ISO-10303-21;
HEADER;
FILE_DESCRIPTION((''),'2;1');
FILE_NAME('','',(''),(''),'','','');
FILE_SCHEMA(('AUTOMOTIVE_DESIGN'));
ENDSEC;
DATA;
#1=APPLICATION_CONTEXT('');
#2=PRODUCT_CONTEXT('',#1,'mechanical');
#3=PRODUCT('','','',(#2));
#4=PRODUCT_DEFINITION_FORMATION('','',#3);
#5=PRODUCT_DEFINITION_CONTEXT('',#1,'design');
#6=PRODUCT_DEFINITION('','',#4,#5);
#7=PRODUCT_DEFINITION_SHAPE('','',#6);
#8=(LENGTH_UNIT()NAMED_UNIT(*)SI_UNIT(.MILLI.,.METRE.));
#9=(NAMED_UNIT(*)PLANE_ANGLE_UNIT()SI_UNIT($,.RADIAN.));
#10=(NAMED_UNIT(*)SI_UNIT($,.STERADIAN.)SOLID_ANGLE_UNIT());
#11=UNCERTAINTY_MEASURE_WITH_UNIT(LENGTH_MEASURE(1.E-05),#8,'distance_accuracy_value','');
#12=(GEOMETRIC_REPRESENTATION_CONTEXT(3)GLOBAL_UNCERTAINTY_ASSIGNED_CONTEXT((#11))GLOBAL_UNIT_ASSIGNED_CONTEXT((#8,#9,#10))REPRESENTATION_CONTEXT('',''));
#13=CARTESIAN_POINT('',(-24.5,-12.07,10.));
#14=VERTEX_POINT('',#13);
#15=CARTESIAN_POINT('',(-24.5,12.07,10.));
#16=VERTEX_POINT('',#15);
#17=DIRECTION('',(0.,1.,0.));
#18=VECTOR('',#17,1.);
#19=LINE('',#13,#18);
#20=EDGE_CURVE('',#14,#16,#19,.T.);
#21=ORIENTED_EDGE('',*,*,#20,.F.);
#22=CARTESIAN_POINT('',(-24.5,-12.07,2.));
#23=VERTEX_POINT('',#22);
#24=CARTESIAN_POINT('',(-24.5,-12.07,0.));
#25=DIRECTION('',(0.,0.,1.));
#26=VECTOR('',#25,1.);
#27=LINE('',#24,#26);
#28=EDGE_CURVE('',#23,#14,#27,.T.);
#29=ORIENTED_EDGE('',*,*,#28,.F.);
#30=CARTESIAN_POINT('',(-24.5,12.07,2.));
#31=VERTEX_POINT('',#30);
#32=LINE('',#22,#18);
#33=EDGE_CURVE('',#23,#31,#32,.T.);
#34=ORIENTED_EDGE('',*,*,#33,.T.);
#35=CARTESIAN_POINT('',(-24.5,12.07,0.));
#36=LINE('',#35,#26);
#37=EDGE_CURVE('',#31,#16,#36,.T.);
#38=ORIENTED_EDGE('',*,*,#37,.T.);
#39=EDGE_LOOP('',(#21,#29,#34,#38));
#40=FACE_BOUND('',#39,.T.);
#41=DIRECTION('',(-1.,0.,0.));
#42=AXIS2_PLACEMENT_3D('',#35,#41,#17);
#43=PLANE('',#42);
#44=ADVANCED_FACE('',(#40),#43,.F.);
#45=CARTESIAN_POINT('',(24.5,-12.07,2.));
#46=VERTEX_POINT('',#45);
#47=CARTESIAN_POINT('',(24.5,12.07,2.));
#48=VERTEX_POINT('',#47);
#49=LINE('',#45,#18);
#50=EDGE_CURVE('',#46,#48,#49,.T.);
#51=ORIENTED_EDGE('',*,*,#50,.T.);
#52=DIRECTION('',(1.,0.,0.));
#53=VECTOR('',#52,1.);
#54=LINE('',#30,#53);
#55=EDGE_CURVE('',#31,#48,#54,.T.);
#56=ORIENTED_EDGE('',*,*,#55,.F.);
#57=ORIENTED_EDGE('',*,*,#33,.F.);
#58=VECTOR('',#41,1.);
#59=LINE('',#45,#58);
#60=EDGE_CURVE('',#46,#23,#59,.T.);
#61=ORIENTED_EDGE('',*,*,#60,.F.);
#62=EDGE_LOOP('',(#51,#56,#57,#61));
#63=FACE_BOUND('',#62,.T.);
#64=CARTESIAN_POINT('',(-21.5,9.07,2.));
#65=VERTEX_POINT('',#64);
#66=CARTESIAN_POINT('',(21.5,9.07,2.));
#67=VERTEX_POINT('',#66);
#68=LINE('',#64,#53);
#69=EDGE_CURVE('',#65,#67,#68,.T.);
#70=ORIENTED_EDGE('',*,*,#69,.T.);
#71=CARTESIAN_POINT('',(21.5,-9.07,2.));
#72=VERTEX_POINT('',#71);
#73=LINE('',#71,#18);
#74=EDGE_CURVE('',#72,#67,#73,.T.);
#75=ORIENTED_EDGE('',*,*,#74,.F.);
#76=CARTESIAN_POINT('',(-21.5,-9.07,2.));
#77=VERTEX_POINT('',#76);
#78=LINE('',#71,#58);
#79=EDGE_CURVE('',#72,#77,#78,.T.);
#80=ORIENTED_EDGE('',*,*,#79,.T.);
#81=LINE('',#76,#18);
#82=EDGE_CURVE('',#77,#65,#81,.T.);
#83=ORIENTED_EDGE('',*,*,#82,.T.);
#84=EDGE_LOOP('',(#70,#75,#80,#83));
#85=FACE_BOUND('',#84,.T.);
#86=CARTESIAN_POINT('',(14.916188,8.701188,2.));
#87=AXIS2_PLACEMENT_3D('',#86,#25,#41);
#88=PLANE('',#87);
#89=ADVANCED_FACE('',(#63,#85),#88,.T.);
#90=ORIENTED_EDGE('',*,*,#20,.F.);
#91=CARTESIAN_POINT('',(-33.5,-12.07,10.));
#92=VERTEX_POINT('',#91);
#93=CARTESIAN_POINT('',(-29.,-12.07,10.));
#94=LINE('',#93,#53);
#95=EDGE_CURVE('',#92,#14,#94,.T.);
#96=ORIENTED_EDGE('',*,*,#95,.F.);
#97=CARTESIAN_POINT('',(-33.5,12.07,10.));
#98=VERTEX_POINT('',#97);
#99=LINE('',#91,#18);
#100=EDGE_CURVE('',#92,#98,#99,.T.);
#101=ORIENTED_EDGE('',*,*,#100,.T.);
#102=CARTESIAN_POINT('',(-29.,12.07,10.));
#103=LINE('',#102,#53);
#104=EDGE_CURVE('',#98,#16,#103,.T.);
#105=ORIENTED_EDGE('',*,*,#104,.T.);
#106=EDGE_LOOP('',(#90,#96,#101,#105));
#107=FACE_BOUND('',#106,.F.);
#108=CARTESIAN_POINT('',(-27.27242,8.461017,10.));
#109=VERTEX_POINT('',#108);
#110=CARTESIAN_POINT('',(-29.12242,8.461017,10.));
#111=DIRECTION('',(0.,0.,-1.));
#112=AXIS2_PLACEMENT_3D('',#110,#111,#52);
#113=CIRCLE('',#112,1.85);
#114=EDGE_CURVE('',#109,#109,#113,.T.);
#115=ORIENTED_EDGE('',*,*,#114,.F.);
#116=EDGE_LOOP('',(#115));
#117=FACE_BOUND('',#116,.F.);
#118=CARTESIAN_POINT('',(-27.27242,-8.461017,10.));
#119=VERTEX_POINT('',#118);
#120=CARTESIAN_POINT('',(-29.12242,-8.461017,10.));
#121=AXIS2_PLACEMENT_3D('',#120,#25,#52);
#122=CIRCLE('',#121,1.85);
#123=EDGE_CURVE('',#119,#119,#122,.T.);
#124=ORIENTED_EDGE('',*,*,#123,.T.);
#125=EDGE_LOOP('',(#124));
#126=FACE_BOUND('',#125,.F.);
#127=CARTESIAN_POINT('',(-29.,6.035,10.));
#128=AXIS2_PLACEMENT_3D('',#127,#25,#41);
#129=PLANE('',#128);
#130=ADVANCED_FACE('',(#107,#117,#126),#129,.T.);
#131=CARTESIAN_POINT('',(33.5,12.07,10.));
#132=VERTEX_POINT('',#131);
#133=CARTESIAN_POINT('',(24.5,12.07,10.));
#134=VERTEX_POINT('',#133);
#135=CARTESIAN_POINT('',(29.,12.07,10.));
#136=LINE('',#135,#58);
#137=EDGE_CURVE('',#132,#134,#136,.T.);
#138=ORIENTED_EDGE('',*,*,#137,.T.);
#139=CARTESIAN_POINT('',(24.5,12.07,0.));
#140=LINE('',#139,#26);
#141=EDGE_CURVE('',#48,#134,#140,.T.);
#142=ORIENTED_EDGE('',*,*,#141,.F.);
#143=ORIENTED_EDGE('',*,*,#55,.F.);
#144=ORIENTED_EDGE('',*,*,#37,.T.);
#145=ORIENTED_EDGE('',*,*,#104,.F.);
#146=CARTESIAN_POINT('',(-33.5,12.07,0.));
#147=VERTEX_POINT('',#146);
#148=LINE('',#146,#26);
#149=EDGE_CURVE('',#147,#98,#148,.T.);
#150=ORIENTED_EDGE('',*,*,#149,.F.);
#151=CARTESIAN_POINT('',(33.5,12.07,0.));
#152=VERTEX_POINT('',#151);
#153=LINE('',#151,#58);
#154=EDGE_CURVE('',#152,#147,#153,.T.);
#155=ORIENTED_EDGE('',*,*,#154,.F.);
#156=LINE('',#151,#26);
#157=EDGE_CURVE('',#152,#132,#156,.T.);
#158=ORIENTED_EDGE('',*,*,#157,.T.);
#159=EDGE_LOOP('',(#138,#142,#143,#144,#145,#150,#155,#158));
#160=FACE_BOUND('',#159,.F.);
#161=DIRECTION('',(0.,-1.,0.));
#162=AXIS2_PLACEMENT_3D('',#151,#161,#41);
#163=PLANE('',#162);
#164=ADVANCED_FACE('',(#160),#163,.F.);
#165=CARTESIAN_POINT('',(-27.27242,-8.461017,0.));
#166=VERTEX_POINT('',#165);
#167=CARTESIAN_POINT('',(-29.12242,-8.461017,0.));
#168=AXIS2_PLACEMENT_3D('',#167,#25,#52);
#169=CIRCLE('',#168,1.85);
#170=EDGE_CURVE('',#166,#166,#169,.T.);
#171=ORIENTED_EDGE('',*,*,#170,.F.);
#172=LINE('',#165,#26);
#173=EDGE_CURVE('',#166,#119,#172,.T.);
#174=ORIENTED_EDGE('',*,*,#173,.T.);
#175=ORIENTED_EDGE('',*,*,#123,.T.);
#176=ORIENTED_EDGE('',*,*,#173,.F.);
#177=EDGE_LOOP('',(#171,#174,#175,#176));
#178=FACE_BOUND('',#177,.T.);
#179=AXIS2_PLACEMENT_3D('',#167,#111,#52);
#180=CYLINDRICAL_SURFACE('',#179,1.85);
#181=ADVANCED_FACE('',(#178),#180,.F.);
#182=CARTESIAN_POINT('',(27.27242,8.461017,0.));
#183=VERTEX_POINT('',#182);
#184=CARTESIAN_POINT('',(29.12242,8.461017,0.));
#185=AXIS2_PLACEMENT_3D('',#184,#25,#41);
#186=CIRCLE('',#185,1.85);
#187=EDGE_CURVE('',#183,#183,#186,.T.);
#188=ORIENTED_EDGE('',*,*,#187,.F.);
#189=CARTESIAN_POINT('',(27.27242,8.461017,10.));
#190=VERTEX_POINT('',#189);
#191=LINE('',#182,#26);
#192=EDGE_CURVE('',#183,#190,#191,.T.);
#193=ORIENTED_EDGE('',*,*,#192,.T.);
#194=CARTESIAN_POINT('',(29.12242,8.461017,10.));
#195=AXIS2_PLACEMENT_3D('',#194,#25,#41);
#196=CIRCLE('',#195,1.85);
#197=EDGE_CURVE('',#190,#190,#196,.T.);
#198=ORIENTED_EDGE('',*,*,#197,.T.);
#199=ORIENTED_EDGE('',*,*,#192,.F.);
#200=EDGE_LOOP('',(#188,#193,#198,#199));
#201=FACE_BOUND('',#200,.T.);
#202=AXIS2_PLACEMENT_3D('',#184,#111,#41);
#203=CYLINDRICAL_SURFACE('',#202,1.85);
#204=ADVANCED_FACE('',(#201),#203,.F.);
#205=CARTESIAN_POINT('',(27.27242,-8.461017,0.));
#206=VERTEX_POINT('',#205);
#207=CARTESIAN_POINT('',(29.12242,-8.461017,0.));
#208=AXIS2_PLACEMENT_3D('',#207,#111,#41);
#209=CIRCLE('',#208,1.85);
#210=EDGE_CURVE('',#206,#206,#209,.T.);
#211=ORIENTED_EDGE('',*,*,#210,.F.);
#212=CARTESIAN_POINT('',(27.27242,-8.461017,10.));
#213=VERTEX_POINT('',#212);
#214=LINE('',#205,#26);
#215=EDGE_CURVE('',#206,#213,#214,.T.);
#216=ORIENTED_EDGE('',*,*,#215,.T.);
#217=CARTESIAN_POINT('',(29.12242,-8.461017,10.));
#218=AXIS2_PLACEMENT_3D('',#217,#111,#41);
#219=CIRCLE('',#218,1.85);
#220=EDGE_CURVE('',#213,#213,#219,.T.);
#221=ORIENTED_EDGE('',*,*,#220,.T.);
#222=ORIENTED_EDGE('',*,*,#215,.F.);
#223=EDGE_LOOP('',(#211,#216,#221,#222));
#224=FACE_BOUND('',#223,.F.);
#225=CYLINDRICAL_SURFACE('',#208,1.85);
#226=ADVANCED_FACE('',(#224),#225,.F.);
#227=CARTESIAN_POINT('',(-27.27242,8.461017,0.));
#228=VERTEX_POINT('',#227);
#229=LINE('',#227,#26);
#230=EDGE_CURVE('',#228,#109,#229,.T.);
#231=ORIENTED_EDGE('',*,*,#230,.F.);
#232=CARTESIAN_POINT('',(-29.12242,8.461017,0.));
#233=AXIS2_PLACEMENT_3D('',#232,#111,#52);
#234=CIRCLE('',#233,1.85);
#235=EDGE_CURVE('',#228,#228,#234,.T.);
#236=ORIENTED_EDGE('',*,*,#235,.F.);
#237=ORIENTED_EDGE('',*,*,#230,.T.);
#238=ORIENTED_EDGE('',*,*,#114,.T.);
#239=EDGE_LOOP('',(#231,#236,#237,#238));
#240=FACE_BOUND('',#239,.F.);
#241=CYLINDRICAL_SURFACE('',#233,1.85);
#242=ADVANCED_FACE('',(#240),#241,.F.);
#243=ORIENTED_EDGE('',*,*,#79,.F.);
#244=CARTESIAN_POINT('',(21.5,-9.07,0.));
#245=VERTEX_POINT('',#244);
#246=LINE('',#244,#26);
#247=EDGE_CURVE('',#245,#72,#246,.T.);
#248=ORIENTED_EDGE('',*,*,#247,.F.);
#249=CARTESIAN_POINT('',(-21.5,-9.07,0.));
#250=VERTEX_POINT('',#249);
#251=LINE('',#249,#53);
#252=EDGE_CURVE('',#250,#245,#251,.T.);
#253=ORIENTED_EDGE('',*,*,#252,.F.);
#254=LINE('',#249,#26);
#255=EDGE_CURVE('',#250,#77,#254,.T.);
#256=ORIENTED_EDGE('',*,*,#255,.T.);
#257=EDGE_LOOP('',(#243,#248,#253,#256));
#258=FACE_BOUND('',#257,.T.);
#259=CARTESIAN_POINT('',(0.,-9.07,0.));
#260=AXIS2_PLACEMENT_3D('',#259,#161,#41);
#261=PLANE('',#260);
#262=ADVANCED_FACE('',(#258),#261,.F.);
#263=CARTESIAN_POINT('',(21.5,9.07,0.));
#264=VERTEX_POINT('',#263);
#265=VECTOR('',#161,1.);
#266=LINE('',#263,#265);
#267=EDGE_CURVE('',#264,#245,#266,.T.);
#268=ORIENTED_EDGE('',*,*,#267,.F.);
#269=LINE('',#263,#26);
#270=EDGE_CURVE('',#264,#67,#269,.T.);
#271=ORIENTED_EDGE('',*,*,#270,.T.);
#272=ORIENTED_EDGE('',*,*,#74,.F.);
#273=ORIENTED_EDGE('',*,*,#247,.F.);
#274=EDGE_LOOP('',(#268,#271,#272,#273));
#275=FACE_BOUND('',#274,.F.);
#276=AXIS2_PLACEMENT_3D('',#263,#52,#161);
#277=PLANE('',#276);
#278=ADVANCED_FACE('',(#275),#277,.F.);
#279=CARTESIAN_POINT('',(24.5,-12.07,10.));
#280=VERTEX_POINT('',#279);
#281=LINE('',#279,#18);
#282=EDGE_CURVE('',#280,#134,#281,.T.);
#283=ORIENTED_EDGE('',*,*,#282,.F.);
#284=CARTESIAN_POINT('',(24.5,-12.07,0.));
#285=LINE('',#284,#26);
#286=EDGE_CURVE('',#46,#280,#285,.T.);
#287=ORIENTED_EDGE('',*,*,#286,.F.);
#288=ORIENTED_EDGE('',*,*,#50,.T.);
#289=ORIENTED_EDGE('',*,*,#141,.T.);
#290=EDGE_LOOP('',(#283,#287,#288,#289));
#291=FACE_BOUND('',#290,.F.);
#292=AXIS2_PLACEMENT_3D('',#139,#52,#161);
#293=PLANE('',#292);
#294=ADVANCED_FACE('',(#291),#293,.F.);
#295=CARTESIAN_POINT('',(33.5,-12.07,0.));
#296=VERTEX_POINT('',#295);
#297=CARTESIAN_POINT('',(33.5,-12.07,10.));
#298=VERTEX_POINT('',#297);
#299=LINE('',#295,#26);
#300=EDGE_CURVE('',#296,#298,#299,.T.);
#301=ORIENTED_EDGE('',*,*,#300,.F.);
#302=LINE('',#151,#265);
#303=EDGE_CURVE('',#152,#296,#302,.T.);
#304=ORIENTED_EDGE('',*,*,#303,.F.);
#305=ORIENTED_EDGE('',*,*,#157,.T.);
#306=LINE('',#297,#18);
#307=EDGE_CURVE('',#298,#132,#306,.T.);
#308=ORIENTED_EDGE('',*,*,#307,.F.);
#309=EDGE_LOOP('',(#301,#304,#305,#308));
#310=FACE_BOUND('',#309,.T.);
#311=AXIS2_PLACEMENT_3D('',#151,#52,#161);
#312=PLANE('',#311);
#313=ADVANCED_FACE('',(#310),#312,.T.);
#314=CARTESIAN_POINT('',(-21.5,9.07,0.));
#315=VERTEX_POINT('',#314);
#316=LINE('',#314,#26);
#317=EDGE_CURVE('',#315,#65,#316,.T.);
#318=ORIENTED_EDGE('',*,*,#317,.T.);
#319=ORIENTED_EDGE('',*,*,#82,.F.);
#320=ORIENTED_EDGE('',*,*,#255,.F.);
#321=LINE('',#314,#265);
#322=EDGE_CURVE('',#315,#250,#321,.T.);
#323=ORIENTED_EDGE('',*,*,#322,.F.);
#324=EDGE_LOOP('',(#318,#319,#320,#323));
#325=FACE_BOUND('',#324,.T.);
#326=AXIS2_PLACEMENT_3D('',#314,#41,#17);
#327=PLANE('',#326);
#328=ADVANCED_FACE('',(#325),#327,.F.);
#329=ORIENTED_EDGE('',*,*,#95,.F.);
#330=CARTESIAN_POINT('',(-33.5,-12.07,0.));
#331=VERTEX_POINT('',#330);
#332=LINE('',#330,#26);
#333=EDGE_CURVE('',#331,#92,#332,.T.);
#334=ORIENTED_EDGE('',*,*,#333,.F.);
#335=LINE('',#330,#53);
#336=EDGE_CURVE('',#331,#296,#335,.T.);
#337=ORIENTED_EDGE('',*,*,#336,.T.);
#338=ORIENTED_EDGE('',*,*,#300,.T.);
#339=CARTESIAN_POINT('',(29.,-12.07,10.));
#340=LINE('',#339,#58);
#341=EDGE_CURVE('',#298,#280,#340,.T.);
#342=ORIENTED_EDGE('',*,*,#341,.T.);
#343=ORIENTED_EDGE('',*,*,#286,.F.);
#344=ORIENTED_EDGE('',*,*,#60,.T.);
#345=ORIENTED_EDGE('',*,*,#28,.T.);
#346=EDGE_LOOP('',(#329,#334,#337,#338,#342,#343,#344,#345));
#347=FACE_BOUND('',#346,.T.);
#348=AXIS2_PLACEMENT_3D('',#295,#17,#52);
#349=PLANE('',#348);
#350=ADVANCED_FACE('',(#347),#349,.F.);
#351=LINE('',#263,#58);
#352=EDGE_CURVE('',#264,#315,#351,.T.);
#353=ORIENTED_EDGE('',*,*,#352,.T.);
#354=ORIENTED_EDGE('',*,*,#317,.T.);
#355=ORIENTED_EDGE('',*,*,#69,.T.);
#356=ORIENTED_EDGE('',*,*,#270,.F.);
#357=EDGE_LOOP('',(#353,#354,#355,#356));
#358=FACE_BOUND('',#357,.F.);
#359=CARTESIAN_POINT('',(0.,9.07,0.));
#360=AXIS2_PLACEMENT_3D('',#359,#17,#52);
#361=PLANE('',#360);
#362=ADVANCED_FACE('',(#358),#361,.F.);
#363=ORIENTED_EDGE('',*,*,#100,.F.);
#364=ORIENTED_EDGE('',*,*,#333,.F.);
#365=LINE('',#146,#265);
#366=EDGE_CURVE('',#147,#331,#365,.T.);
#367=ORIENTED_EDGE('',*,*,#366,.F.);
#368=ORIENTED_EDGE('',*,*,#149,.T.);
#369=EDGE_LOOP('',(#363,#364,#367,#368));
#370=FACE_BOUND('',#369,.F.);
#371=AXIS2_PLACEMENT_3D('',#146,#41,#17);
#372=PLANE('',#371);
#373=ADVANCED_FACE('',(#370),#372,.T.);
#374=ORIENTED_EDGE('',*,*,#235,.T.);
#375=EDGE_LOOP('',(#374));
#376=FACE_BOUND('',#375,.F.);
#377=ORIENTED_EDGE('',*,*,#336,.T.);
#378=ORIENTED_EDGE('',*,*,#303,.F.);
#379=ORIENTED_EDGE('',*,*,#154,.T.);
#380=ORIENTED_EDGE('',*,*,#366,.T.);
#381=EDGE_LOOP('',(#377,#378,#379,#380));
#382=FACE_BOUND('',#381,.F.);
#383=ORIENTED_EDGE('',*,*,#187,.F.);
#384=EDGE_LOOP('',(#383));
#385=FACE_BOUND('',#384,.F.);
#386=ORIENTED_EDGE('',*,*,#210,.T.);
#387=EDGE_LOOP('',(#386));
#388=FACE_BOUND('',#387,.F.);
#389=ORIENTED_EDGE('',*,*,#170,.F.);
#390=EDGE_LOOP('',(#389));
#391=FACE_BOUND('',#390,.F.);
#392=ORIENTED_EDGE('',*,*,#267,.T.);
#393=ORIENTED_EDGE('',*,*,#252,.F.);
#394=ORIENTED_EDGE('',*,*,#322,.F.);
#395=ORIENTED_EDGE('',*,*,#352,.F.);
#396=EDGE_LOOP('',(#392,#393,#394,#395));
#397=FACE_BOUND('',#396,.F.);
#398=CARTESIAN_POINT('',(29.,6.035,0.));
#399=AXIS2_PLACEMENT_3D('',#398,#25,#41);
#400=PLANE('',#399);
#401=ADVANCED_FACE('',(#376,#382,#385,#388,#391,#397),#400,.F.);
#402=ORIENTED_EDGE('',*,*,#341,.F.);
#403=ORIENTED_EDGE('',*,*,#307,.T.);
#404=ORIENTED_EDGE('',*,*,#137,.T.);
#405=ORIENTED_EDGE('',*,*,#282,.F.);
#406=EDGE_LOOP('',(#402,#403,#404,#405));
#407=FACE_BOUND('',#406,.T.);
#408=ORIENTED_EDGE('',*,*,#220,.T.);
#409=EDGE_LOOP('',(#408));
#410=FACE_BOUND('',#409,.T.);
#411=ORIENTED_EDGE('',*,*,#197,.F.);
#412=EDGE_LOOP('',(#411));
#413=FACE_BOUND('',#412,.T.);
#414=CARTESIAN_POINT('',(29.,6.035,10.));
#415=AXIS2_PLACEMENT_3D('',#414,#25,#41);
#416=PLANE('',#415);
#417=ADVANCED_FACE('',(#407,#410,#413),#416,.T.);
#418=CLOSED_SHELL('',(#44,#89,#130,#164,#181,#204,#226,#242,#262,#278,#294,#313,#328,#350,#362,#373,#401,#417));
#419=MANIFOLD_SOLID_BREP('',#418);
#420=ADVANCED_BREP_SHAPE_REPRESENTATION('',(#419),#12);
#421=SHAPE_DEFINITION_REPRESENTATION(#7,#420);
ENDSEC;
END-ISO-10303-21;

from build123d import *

# Parameters (mm, degrees)
F1_DEPTH = 2
F0_W     = 9
F0_H     = 12.07
F0_R     = 1.85
F2_DEPTH = 10


with BuildPart() as f1:
    # F0 (on Top) → F1 (new body)
    with BuildSketch(Plane.XY):
        Polygon((-21.5, -9.07), (-21.5, 0), (-24.5, 0), (-24.5, -12.07), (0, -12.07), (0, -9.07), align=None)
    extrude(amount=F1_DEPTH)

    # F0 (on Top) → F2 (join)
    with BuildSketch(Plane.XY):
        with Locations((-29, -6.035)):
            Rectangle(F0_W, F0_H)
        with Locations((-29.12242, -8.461017)):
            Circle(F0_R, mode=Mode.SUBTRACT)
    extrude(amount=F2_DEPTH)

    # F3: F1 across face


with BuildPart() as f1_1:
    add(f1.part)
    add(f1.part.mirror(Plane(origin=(-28.625, 0, 4.75), x_dir=(-1, 0, 0), z_dir=(0, 1, 0))))

    # F4: F1 across plane


with BuildPart() as f1_2:
    add(f1_1.part)
    add(f1_1.part.mirror(Plane.YZ))


solid = f1_2.part
